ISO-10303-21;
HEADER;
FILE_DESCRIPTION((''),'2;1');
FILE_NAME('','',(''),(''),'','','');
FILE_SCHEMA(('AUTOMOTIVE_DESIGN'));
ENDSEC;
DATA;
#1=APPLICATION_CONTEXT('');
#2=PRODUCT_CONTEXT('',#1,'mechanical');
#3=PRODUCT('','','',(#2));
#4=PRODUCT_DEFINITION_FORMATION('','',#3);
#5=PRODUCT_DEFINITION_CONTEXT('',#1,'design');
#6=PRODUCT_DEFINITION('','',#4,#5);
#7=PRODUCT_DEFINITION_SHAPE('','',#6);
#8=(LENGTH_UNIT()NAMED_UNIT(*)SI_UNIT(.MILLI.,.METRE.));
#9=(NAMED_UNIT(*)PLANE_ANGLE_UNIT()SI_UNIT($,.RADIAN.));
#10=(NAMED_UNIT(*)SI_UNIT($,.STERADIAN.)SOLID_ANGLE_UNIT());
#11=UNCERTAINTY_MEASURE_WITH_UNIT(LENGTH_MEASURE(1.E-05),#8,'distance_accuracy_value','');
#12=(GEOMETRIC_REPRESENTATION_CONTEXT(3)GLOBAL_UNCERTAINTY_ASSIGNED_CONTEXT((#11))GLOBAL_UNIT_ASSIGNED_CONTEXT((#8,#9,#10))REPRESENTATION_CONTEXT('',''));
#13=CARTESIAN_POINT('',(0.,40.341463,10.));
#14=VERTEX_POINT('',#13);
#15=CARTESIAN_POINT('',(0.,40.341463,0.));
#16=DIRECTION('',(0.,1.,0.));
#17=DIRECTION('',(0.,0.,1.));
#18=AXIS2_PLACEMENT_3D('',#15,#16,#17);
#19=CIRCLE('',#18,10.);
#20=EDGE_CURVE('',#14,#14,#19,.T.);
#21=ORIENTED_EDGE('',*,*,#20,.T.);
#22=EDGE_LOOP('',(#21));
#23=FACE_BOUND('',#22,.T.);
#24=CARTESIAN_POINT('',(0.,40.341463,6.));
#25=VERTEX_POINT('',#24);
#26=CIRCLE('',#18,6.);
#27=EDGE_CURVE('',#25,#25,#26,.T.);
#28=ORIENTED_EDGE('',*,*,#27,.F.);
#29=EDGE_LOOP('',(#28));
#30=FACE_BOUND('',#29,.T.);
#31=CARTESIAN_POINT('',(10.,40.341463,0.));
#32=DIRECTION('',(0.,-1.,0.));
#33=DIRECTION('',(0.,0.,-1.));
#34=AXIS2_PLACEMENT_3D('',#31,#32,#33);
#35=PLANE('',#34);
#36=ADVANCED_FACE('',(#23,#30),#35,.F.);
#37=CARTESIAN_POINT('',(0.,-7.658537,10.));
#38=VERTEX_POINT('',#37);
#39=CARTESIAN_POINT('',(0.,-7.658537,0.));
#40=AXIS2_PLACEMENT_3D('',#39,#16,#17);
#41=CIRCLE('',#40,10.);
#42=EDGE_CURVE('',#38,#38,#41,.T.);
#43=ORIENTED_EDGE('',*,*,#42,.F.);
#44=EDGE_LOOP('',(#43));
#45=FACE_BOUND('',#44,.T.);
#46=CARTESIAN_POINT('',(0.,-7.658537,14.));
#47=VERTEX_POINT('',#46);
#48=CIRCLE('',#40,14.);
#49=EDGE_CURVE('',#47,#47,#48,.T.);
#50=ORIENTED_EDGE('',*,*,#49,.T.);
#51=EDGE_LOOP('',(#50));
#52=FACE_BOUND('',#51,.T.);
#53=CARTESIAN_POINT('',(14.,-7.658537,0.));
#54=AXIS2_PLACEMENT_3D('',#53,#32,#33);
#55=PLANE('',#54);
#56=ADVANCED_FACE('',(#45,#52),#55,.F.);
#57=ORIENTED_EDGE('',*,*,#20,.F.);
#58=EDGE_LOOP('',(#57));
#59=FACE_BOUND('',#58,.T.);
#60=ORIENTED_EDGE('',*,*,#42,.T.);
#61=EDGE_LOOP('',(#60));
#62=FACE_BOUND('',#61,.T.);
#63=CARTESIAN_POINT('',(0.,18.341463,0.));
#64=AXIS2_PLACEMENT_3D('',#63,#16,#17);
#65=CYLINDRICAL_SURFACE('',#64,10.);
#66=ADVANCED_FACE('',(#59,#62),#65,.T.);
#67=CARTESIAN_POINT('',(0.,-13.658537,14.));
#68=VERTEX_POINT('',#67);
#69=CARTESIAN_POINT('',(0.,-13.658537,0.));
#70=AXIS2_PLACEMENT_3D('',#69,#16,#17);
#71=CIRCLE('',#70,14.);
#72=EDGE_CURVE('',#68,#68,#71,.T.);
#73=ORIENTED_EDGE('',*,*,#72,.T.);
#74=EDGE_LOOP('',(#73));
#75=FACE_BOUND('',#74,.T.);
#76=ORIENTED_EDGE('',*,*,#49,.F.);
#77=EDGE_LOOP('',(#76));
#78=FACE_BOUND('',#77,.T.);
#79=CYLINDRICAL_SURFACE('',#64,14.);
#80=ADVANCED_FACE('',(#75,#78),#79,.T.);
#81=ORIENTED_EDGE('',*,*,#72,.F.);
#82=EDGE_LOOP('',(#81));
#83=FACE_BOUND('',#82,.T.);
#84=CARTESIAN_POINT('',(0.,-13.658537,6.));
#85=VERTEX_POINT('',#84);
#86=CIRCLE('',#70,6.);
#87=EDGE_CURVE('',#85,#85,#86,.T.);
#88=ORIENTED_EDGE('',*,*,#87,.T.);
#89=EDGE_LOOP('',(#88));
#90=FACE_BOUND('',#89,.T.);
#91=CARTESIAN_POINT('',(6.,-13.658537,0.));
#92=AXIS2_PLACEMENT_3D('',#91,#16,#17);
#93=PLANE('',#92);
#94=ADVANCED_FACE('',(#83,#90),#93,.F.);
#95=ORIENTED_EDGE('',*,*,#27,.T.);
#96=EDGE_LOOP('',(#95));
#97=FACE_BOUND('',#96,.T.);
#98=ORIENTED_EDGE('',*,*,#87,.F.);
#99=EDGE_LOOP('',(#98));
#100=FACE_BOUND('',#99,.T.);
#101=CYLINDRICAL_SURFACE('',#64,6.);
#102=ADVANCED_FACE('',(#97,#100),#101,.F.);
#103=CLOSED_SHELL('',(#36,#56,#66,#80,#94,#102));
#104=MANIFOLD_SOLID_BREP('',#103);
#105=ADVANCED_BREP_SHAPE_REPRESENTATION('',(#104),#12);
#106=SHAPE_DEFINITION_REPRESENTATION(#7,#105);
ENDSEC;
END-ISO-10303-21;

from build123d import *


with BuildPart() as part:
    # Esquisse1 → Révolution1 (revolve)
    with BuildSketch(Plane.XY, mode=Mode.PRIVATE) as r_volution1_sk:
        Polygon((6, 40.341463415), (6, -13.658536585), (14, -13.658536585), (14, -7.658536585), (10, -7.658536585), (10, 40.341463415), align=None)
    revolve(r_volution1_sk.sketch.rotate(Axis((0, 18.341463415, 0), (0, -1, 0)), 90), axis=Axis((0, 18.341463415, 0), (0, -1, 0)))


solid = part.part
